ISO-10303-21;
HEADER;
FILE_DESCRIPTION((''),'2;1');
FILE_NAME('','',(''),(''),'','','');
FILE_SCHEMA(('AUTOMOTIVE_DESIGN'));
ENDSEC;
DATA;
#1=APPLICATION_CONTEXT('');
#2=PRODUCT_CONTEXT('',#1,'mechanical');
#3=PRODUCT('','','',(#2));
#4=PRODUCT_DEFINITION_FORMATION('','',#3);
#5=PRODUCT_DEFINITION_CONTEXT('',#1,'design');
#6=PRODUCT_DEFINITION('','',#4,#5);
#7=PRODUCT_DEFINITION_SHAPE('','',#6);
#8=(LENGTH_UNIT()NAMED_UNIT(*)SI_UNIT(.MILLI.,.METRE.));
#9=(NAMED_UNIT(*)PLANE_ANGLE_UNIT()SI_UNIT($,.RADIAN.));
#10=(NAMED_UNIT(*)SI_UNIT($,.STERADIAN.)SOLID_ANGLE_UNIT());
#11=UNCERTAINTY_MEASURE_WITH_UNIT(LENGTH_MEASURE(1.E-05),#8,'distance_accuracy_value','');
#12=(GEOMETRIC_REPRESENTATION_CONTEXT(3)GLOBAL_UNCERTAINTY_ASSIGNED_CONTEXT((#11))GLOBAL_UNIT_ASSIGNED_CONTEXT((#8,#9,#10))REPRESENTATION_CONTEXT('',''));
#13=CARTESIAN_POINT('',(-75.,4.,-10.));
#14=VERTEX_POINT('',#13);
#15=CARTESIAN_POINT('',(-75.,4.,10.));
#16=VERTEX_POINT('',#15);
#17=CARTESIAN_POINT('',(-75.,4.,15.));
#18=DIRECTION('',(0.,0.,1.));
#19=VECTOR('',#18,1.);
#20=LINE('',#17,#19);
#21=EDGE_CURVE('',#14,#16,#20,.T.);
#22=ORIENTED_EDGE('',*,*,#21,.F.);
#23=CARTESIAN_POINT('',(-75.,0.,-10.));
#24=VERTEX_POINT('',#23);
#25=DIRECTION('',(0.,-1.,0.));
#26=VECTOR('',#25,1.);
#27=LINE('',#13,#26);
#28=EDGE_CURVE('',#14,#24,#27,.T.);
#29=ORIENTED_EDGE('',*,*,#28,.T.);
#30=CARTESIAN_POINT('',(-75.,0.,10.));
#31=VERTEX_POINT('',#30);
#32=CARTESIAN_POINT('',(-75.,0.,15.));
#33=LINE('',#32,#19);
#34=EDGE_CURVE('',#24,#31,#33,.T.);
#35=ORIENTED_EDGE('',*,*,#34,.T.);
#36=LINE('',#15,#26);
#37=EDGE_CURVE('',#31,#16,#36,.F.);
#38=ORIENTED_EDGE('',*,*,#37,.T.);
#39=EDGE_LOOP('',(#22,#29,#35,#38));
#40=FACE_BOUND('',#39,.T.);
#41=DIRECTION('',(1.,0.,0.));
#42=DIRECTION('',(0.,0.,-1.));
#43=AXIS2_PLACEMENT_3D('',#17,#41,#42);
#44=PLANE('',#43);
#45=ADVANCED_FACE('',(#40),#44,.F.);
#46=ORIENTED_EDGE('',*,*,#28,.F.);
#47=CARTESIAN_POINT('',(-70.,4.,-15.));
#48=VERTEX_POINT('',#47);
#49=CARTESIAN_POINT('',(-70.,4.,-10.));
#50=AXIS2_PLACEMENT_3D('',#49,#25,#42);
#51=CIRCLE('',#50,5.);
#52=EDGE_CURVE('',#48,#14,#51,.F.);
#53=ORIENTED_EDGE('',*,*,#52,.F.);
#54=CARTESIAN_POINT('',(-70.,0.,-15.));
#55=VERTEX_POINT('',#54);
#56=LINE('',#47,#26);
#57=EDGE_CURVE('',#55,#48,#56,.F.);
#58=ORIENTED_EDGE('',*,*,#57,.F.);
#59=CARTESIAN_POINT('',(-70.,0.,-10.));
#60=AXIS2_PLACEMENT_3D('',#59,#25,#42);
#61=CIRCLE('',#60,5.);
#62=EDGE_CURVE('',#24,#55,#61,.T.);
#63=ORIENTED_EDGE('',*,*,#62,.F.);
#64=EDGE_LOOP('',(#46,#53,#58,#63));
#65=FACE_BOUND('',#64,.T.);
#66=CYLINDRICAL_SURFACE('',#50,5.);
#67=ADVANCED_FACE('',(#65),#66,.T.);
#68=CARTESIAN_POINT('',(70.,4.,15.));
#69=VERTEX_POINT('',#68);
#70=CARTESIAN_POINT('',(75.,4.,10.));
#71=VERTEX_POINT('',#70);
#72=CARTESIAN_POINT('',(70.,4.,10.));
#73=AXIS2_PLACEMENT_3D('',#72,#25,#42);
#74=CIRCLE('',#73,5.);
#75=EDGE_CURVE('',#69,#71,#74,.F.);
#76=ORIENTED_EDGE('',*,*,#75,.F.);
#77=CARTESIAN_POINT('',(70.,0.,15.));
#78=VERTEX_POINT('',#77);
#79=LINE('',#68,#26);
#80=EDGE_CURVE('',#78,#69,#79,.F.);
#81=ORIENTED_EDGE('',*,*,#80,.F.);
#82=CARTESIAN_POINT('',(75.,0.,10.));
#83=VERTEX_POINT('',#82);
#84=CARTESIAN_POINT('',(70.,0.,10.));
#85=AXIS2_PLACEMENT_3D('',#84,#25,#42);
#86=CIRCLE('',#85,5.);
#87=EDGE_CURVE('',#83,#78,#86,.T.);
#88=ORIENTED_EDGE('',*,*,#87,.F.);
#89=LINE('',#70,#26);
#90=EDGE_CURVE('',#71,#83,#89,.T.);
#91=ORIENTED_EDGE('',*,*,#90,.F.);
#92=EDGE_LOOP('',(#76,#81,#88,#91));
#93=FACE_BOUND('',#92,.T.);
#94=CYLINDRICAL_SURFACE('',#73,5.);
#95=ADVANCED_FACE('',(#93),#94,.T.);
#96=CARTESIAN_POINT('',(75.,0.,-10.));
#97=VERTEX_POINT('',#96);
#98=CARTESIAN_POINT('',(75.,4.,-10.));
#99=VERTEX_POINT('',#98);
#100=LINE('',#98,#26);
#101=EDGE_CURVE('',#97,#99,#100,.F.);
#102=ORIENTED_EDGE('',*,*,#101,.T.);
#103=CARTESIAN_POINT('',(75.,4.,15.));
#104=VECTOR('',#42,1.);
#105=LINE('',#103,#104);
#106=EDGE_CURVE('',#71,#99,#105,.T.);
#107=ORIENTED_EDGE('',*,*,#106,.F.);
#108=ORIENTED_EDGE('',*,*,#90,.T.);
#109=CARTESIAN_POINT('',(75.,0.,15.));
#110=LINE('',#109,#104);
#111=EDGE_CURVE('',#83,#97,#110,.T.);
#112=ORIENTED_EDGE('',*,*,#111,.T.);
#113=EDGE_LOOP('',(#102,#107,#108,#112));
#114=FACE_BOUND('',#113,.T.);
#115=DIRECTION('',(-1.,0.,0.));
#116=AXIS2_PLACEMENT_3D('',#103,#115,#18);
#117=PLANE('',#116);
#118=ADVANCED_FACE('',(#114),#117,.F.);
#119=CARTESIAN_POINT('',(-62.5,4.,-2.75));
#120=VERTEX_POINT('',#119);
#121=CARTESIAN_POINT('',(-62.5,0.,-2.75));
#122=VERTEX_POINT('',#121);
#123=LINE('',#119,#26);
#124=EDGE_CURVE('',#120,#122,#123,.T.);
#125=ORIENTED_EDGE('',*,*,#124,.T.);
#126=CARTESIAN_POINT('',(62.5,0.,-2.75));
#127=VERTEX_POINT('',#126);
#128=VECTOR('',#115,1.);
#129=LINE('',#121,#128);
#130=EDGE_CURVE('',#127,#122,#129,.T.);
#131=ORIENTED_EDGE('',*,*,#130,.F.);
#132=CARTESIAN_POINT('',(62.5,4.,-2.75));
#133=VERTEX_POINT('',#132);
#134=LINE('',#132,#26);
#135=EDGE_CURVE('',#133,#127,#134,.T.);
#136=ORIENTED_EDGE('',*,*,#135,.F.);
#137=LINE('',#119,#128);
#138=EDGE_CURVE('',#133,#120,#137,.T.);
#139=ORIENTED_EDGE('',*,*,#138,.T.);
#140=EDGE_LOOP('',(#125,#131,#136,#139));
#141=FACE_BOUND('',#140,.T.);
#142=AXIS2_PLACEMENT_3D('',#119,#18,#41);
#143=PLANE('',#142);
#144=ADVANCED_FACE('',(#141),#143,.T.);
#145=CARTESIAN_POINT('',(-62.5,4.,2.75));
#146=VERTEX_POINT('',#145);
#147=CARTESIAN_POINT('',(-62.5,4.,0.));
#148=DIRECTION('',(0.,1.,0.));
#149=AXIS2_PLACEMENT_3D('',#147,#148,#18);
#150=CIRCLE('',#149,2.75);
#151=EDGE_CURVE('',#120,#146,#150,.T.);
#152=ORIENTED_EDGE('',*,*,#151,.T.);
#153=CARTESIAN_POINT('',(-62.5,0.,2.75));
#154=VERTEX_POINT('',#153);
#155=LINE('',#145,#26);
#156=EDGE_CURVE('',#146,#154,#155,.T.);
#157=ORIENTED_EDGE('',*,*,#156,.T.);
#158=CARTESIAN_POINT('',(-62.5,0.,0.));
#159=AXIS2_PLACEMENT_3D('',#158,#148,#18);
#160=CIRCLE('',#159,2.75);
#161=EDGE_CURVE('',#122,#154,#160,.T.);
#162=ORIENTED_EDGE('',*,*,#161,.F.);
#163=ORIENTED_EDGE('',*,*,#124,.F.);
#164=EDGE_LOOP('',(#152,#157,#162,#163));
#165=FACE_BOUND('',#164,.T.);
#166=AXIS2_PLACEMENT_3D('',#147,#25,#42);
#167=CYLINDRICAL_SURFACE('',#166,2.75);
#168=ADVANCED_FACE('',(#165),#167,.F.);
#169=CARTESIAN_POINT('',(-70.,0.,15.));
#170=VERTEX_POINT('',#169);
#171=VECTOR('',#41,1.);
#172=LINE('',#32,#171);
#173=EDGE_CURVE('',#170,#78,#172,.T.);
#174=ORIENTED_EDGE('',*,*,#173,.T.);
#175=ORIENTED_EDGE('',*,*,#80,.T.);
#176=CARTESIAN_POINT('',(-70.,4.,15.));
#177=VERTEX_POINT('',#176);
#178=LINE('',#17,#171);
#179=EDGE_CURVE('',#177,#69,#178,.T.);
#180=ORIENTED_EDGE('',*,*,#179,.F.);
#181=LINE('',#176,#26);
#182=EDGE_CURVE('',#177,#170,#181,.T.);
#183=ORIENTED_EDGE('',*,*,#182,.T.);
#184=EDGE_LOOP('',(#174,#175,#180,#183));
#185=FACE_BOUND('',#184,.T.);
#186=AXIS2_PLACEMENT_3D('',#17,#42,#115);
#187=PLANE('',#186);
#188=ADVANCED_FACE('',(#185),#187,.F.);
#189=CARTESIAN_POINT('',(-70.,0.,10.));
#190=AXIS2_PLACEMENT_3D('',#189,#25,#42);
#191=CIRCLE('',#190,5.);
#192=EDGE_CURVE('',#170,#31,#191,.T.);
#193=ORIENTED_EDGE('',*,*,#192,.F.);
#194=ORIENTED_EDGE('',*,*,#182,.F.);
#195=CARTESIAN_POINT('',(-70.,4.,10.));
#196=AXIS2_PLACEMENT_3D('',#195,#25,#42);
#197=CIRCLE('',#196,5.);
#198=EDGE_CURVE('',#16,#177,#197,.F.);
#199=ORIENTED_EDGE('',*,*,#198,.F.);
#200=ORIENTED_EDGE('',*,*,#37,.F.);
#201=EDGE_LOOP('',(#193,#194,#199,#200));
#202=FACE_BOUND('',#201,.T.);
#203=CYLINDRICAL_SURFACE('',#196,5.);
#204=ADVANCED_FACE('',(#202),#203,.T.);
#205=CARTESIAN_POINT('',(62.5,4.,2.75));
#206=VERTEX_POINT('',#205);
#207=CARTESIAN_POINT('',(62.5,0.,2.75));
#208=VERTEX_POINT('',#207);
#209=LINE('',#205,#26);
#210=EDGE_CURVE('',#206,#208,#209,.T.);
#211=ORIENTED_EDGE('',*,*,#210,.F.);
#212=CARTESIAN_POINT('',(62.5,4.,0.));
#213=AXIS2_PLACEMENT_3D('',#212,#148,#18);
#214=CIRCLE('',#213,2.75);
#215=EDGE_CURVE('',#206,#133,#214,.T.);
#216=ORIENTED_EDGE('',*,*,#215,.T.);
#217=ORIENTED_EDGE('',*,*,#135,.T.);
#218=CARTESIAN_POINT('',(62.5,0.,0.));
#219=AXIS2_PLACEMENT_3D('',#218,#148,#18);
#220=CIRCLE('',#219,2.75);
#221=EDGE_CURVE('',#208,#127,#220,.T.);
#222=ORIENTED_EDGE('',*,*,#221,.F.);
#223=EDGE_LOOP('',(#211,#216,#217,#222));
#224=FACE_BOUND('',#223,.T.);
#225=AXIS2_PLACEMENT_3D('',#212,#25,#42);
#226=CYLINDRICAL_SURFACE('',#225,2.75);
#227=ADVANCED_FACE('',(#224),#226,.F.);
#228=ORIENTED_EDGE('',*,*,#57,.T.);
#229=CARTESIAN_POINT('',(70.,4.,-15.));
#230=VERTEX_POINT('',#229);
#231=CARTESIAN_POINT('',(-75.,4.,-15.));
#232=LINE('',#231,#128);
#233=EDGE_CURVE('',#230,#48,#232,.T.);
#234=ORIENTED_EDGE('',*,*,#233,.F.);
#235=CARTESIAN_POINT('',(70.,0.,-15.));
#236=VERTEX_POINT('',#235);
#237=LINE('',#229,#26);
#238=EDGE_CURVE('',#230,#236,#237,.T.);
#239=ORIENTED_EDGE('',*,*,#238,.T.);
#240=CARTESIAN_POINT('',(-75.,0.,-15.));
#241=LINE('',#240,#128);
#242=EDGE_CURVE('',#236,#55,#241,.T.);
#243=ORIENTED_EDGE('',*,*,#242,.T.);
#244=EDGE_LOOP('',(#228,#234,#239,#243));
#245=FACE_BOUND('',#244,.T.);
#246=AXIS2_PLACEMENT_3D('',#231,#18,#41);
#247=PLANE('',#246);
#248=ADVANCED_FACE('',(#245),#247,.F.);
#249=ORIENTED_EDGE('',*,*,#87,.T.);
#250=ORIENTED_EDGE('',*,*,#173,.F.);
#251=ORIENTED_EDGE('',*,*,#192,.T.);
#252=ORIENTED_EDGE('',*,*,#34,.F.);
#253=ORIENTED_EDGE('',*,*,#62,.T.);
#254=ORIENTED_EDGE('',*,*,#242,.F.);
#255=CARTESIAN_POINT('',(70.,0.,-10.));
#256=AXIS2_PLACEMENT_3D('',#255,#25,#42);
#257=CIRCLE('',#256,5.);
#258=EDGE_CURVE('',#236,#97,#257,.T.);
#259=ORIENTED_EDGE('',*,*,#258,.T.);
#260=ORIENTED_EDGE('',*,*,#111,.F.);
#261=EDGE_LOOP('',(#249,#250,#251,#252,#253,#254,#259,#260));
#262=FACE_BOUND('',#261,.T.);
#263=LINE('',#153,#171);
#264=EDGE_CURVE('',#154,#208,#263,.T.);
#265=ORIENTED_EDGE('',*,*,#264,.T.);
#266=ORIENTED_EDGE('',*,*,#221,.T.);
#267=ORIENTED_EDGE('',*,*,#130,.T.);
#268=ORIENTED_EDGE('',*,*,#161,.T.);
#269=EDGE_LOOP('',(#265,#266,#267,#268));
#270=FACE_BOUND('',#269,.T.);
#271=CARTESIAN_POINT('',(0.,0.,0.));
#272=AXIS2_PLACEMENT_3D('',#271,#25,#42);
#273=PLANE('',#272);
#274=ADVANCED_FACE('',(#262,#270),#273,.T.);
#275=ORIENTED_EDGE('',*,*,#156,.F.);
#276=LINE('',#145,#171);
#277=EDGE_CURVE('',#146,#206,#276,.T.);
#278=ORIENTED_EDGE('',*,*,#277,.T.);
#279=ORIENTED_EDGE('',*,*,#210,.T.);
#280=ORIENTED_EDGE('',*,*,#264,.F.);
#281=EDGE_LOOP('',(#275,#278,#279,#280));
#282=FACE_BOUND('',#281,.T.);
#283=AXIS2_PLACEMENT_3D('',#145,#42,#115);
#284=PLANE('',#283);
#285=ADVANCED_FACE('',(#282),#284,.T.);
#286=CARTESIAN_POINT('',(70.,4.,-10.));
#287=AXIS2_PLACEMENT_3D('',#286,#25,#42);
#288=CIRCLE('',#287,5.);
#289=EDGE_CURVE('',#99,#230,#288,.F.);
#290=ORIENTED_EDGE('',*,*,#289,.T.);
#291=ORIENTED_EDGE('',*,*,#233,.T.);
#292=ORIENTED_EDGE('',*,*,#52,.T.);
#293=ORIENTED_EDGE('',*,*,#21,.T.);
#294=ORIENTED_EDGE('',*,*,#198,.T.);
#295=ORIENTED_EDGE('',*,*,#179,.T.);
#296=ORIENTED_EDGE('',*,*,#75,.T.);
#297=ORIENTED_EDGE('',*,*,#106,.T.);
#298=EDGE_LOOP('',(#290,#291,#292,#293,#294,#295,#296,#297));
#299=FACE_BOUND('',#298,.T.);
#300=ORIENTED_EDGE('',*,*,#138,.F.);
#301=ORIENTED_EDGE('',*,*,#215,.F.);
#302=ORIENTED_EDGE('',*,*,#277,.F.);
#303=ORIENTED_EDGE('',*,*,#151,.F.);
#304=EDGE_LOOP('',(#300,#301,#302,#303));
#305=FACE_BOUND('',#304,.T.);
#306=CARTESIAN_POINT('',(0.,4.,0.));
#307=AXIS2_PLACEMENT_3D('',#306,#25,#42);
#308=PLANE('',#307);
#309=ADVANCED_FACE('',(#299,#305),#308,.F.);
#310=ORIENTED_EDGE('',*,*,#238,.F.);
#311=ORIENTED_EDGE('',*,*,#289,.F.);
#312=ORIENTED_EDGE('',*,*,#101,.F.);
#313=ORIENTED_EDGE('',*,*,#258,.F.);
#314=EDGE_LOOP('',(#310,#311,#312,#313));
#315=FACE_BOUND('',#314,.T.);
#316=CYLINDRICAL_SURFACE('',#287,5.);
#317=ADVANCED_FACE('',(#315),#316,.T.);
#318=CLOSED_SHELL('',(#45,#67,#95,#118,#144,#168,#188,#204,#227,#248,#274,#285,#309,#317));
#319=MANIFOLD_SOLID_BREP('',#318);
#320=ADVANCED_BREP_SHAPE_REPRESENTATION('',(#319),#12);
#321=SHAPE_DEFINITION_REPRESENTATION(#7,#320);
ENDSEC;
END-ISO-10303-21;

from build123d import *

# Parameters (mm, degrees)
SKETCH1_W           = 150
SKETCH1_H           = 30
BOSS_EXTRUDE1_DEPTH = 4
FILLET1_R           = 5


with BuildPart() as part:
    # Sketch1 → Boss-Extrude1 (new body)
    with BuildSketch(Plane(origin=(0, 0, 0), x_dir=(1, 0, 0), z_dir=(0, 1, 0))):
        Rectangle(SKETCH1_W, SKETCH1_H)
        with BuildLine():
            Line((-62.5, 2.75), (62.5, 2.75))
            ThreePointArc((62.5, 2.75), (65.25, 0), (62.5, -2.75))
            Line((62.5, -2.75), (-62.5, -2.75))
            ThreePointArc((-62.5, -2.75), (-65.25, 0), (-62.5, 2.75))
        make_face(mode=Mode.SUBTRACT)
    extrude(amount=BOSS_EXTRUDE1_DEPTH)

    # Fillet1
    fillet1_edges = [part.edges().sort_by_distance(p)[0] for p in [
        (75, 2, 15),
        (-75, 2, 15),
        (-75, 2, -15),
        (75, 2, -15),
    ]]
    fillet(fillet1_edges, radius=FILLET1_R)


solid = part.part
